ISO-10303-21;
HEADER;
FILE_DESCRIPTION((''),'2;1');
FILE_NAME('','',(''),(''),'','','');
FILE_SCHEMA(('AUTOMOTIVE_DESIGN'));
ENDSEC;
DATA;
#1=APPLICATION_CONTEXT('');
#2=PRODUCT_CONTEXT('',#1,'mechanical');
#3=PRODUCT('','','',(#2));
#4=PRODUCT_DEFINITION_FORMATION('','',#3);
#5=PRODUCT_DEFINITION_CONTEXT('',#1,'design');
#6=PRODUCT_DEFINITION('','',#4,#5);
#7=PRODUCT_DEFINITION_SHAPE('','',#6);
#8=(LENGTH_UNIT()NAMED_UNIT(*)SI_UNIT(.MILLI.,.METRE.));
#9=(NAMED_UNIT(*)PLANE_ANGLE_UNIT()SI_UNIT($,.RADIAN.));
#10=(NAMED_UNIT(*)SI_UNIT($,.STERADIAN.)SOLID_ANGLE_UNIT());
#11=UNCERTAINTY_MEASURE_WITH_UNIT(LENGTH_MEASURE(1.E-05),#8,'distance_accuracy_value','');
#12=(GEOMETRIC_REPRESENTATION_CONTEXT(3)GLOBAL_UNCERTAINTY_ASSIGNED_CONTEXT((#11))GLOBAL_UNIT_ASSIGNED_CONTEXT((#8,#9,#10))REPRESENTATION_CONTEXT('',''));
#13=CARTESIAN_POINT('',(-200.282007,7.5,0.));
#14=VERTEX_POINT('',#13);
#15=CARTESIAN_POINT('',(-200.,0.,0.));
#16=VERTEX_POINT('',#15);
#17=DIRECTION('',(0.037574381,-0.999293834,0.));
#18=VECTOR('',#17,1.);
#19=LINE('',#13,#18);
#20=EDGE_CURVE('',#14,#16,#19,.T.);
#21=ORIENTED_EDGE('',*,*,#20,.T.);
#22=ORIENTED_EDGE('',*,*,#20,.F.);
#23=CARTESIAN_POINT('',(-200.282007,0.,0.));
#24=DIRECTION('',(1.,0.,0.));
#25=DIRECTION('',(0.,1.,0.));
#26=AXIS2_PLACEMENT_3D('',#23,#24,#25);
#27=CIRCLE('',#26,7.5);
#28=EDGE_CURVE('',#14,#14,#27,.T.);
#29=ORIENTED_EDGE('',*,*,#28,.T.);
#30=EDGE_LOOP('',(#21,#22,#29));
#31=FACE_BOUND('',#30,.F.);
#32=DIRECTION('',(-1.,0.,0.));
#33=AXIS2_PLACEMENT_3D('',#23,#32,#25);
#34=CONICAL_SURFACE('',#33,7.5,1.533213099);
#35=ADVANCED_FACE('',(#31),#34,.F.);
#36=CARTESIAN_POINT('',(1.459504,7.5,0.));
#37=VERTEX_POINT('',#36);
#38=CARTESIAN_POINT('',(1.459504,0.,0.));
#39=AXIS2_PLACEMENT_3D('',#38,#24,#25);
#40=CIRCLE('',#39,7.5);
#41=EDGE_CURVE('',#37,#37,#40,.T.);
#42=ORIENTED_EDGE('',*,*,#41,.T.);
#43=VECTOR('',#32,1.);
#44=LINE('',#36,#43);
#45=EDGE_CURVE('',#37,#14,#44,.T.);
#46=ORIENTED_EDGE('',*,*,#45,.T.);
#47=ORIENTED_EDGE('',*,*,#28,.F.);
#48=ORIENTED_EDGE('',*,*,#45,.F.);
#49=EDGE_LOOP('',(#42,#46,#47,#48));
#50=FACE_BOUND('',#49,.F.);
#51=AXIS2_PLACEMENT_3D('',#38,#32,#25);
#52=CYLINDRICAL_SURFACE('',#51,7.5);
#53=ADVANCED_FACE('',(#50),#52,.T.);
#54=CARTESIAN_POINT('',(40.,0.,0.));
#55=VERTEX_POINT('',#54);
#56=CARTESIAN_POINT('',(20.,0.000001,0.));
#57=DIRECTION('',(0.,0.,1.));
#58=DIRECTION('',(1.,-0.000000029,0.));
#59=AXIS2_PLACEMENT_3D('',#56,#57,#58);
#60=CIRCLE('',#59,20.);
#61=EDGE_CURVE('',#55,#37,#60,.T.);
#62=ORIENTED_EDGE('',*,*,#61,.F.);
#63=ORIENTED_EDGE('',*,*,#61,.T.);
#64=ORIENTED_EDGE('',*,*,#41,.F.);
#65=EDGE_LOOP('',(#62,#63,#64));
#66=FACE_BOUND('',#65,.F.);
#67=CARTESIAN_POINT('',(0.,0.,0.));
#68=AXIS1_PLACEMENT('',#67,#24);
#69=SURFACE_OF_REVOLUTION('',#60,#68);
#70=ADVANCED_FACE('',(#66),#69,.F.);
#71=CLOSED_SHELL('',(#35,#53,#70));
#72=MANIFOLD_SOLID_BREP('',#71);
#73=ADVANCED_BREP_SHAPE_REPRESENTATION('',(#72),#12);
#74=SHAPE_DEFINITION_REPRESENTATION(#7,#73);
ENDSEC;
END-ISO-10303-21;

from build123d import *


with BuildPart() as f1:
    # F0 (on Top) → F1 (revolve)
    with BuildSketch(Plane.XY):
        with BuildLine():
            ThreePointArc((40, 0), (23.820345, 19.631734), (1.459504, 7.5))
            Line((1.459504, 7.5), (-200.282007, 7.5))
            Line((-200.282007, 7.5), (-200, 0))
            Line((-200, 0), (40, 0))
        make_face()
    revolve(axis=Axis((0, 0, 0), (1, 0, 0)))


solid = f1.part
